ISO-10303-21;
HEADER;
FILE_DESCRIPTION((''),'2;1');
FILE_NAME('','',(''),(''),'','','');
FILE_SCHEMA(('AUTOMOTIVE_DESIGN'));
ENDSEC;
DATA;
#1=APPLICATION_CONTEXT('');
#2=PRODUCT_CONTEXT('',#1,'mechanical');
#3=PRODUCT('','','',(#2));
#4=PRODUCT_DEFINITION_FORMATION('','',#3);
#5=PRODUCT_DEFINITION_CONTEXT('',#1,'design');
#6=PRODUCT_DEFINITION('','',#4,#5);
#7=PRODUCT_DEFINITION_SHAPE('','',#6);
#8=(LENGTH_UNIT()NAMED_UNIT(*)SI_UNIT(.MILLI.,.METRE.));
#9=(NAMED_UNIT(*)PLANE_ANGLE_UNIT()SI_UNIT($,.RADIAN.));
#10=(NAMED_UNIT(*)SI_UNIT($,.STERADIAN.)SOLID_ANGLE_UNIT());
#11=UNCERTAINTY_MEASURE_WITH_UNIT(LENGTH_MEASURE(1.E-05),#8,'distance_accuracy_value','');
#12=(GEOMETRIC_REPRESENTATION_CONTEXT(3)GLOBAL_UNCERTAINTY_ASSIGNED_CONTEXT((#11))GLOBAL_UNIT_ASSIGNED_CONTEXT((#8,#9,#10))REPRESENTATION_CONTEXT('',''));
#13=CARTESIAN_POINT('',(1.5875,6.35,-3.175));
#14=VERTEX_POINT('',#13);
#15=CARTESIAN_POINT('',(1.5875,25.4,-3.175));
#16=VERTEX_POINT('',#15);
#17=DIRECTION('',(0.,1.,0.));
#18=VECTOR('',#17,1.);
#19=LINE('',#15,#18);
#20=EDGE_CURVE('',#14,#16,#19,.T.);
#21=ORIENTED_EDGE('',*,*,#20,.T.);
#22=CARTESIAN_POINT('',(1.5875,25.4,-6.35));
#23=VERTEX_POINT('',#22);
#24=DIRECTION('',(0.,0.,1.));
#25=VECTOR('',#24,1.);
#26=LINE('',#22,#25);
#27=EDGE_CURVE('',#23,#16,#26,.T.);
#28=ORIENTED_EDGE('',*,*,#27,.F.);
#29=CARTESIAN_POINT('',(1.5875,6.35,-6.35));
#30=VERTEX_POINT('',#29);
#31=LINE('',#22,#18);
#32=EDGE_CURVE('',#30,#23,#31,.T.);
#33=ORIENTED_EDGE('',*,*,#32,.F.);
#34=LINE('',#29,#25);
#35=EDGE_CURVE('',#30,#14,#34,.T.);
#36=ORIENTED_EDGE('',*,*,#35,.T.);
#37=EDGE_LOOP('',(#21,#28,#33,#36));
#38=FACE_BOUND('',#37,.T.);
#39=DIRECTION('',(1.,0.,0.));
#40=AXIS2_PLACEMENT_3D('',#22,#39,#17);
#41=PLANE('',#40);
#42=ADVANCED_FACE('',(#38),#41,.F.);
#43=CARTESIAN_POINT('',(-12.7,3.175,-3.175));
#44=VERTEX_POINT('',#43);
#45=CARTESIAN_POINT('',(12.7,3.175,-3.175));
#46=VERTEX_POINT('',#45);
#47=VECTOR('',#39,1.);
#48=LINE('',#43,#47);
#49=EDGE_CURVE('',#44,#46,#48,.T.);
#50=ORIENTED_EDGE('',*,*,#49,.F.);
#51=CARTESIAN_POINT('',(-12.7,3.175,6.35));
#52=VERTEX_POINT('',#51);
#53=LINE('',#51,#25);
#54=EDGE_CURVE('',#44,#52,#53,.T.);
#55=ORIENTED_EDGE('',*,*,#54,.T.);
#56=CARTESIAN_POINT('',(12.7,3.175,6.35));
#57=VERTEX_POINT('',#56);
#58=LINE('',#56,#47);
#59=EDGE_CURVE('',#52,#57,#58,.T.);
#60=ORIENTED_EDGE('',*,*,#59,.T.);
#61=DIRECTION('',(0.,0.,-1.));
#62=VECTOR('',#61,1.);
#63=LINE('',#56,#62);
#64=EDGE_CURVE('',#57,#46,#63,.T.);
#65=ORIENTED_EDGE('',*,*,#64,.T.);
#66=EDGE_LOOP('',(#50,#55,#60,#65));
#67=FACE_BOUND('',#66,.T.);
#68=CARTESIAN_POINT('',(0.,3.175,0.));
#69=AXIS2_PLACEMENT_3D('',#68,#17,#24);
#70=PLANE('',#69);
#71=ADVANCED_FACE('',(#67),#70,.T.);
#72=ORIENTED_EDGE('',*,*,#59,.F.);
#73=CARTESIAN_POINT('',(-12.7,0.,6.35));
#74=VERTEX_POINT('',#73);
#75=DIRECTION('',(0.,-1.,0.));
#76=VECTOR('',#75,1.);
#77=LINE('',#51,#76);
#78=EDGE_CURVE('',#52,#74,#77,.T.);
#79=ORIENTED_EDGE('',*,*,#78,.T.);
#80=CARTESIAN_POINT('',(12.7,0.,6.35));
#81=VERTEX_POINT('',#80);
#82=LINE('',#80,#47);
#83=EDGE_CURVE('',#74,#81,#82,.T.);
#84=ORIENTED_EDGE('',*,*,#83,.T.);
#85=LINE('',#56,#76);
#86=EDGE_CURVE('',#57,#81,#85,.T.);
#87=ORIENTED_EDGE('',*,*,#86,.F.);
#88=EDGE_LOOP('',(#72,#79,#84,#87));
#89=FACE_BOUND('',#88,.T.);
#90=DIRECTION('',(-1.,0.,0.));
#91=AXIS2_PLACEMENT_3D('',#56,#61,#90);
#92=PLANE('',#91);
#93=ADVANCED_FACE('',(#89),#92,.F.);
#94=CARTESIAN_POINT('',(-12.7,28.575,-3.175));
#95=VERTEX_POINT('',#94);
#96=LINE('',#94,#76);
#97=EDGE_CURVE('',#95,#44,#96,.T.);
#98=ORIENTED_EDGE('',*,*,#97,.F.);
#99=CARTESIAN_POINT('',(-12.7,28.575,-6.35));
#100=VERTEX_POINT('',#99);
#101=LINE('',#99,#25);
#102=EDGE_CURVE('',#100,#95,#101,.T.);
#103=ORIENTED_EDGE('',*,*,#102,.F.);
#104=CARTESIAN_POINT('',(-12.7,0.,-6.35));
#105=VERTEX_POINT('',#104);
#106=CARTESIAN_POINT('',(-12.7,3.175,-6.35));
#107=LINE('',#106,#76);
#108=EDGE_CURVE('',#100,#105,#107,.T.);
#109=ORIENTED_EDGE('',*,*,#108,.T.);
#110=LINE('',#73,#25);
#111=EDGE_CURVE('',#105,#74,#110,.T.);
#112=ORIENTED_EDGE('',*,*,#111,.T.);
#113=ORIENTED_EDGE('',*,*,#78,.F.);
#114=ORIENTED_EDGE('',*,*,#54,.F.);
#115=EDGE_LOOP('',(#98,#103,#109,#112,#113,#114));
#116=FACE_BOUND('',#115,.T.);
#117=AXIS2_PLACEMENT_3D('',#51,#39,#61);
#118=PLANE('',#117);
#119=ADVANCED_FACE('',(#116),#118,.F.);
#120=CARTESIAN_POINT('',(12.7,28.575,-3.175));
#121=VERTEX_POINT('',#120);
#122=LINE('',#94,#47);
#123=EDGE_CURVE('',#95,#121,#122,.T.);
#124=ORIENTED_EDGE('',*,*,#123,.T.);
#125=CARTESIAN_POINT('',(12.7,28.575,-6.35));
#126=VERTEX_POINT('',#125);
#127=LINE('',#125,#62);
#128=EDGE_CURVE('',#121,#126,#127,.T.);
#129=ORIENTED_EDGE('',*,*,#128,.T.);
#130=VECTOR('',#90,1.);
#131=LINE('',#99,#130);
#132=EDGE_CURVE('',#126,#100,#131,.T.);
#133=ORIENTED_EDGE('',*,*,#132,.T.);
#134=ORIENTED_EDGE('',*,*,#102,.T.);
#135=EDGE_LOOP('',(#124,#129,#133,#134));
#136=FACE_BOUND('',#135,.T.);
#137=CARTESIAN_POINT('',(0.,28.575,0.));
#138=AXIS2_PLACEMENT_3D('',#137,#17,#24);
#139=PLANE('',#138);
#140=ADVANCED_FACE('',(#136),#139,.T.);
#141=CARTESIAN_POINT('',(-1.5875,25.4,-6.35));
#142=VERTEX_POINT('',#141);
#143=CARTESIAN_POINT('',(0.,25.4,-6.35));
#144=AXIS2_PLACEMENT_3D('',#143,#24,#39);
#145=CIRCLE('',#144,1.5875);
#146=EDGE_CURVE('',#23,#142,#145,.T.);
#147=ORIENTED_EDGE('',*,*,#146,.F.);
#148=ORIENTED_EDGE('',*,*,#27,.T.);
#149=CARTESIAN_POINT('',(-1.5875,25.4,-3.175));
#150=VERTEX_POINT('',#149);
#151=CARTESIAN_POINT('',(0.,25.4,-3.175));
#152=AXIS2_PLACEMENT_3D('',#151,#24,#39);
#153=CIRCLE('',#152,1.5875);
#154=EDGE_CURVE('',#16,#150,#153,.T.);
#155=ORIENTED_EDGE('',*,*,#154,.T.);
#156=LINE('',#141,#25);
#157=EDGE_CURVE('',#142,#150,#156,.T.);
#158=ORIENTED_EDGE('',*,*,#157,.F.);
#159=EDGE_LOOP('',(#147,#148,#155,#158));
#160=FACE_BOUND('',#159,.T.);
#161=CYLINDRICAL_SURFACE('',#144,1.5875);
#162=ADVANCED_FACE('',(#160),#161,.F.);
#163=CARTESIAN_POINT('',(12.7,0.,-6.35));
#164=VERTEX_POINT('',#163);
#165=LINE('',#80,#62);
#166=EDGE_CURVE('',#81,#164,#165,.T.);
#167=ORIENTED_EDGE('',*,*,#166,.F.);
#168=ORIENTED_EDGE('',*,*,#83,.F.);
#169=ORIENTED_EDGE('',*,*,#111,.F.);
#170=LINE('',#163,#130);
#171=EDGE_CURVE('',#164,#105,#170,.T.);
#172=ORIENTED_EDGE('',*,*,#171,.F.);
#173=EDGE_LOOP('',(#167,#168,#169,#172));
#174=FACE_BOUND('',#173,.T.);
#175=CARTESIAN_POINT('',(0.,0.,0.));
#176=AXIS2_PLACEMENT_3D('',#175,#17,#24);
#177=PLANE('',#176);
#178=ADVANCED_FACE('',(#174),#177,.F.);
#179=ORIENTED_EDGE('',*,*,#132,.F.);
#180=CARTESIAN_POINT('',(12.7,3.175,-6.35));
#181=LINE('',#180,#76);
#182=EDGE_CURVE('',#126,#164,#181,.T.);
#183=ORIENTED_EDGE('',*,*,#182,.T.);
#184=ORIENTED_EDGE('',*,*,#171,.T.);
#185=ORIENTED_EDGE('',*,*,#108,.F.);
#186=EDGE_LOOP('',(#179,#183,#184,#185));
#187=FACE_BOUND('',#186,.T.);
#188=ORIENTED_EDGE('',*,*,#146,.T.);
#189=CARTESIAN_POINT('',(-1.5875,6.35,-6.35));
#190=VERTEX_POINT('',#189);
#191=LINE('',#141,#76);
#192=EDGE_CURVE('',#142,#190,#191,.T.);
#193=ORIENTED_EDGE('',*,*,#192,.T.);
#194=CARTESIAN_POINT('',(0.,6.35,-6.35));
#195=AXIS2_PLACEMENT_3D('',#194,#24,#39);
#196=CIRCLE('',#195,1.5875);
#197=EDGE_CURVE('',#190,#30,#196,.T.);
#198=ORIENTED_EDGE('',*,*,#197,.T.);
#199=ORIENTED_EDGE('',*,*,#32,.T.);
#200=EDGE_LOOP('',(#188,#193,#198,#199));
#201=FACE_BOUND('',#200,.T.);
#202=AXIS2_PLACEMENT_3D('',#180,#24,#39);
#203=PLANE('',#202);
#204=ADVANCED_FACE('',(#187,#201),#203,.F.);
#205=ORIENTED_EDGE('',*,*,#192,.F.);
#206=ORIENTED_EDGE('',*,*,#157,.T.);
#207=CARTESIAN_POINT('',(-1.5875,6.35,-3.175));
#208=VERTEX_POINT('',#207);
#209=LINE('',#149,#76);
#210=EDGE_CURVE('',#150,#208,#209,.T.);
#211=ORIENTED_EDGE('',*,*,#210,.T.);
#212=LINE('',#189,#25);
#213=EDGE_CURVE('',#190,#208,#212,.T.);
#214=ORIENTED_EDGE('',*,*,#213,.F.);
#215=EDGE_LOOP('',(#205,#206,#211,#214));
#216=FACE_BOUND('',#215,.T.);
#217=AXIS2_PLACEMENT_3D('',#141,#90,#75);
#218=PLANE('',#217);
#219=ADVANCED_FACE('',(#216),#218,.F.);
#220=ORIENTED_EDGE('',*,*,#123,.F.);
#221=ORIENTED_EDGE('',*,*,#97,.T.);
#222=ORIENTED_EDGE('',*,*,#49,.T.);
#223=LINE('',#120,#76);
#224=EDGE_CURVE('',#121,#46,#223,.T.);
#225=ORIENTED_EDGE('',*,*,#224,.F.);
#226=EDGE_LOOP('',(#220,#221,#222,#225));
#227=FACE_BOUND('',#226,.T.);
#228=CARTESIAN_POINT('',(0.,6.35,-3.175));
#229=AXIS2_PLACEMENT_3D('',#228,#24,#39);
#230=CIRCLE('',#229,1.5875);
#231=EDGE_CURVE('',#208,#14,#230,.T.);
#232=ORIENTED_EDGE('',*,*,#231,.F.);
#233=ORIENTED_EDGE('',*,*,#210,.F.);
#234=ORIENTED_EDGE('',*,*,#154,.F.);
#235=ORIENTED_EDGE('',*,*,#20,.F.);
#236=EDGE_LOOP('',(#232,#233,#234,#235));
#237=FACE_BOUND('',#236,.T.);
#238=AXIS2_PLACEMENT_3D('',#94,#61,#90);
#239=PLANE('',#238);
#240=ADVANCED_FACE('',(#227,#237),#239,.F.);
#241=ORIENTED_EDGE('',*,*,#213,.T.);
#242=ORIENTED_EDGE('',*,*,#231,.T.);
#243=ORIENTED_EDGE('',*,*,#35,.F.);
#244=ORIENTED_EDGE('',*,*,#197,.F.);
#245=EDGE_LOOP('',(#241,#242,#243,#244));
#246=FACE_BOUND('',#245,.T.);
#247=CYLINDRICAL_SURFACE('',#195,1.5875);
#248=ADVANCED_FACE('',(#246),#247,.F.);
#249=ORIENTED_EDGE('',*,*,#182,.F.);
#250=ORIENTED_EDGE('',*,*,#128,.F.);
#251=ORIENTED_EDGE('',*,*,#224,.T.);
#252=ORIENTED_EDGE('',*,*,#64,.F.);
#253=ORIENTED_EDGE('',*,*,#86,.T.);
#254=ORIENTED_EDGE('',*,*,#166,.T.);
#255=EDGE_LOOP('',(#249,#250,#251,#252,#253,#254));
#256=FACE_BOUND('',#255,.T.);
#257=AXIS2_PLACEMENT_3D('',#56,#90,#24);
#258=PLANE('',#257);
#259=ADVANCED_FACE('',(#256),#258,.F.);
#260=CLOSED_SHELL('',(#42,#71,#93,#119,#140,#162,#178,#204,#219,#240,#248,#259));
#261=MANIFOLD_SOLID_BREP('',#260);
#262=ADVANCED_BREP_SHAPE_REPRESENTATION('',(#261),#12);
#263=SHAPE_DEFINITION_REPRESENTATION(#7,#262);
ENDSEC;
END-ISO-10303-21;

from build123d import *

# Parameters (mm, degrees)
SKETCH1_W           = 25.4
SKETCH1_H           = 12.7
BOSS_EXTRUDE1_DEPTH = 3.175
SKETCH2_W           = 25.4
SKETCH2_H           = 3.175
BOSS_EXTRUDE2_DEPTH = 25.4
CUT_EXTRUDE1_DEPTH  = 33.688625698


with BuildPart() as part:
    # Sketch1 → Boss-Extrude1 (new body)
    with BuildSketch(Plane(origin=(0, 0, 0), x_dir=(1, 0, 0), z_dir=(0, 1, 0))):
        Rectangle(SKETCH1_W, SKETCH1_H)
    extrude(amount=BOSS_EXTRUDE1_DEPTH)

    # Sketch2 → Boss-Extrude2 (add)
    with BuildSketch(Plane(origin=(0, 3.175, 0), x_dir=(1, 0, 0), z_dir=(0, 1, 0))):
        with Locations((0, 4.7625)):
            Rectangle(SKETCH2_W, SKETCH2_H)
    extrude(amount=BOSS_EXTRUDE2_DEPTH)

    # Sketch3 → Cut-Extrude1 (cut, through all)
    with BuildSketch(Plane.XY.offset(-3.175)):
        with BuildLine():
            Line((1.5875, 25.4), (1.5875, 6.35))
            ThreePointArc((1.5875, 6.35), (0, 4.7625), (-1.5875, 6.35))
            Line((-1.5875, 6.35), (-1.5875, 25.4))
            ThreePointArc((-1.5875, 25.4), (0, 26.9875), (1.5875, 25.4))
        make_face()
    extrude(amount=-CUT_EXTRUDE1_DEPTH, mode=Mode.SUBTRACT)


solid = part.part
